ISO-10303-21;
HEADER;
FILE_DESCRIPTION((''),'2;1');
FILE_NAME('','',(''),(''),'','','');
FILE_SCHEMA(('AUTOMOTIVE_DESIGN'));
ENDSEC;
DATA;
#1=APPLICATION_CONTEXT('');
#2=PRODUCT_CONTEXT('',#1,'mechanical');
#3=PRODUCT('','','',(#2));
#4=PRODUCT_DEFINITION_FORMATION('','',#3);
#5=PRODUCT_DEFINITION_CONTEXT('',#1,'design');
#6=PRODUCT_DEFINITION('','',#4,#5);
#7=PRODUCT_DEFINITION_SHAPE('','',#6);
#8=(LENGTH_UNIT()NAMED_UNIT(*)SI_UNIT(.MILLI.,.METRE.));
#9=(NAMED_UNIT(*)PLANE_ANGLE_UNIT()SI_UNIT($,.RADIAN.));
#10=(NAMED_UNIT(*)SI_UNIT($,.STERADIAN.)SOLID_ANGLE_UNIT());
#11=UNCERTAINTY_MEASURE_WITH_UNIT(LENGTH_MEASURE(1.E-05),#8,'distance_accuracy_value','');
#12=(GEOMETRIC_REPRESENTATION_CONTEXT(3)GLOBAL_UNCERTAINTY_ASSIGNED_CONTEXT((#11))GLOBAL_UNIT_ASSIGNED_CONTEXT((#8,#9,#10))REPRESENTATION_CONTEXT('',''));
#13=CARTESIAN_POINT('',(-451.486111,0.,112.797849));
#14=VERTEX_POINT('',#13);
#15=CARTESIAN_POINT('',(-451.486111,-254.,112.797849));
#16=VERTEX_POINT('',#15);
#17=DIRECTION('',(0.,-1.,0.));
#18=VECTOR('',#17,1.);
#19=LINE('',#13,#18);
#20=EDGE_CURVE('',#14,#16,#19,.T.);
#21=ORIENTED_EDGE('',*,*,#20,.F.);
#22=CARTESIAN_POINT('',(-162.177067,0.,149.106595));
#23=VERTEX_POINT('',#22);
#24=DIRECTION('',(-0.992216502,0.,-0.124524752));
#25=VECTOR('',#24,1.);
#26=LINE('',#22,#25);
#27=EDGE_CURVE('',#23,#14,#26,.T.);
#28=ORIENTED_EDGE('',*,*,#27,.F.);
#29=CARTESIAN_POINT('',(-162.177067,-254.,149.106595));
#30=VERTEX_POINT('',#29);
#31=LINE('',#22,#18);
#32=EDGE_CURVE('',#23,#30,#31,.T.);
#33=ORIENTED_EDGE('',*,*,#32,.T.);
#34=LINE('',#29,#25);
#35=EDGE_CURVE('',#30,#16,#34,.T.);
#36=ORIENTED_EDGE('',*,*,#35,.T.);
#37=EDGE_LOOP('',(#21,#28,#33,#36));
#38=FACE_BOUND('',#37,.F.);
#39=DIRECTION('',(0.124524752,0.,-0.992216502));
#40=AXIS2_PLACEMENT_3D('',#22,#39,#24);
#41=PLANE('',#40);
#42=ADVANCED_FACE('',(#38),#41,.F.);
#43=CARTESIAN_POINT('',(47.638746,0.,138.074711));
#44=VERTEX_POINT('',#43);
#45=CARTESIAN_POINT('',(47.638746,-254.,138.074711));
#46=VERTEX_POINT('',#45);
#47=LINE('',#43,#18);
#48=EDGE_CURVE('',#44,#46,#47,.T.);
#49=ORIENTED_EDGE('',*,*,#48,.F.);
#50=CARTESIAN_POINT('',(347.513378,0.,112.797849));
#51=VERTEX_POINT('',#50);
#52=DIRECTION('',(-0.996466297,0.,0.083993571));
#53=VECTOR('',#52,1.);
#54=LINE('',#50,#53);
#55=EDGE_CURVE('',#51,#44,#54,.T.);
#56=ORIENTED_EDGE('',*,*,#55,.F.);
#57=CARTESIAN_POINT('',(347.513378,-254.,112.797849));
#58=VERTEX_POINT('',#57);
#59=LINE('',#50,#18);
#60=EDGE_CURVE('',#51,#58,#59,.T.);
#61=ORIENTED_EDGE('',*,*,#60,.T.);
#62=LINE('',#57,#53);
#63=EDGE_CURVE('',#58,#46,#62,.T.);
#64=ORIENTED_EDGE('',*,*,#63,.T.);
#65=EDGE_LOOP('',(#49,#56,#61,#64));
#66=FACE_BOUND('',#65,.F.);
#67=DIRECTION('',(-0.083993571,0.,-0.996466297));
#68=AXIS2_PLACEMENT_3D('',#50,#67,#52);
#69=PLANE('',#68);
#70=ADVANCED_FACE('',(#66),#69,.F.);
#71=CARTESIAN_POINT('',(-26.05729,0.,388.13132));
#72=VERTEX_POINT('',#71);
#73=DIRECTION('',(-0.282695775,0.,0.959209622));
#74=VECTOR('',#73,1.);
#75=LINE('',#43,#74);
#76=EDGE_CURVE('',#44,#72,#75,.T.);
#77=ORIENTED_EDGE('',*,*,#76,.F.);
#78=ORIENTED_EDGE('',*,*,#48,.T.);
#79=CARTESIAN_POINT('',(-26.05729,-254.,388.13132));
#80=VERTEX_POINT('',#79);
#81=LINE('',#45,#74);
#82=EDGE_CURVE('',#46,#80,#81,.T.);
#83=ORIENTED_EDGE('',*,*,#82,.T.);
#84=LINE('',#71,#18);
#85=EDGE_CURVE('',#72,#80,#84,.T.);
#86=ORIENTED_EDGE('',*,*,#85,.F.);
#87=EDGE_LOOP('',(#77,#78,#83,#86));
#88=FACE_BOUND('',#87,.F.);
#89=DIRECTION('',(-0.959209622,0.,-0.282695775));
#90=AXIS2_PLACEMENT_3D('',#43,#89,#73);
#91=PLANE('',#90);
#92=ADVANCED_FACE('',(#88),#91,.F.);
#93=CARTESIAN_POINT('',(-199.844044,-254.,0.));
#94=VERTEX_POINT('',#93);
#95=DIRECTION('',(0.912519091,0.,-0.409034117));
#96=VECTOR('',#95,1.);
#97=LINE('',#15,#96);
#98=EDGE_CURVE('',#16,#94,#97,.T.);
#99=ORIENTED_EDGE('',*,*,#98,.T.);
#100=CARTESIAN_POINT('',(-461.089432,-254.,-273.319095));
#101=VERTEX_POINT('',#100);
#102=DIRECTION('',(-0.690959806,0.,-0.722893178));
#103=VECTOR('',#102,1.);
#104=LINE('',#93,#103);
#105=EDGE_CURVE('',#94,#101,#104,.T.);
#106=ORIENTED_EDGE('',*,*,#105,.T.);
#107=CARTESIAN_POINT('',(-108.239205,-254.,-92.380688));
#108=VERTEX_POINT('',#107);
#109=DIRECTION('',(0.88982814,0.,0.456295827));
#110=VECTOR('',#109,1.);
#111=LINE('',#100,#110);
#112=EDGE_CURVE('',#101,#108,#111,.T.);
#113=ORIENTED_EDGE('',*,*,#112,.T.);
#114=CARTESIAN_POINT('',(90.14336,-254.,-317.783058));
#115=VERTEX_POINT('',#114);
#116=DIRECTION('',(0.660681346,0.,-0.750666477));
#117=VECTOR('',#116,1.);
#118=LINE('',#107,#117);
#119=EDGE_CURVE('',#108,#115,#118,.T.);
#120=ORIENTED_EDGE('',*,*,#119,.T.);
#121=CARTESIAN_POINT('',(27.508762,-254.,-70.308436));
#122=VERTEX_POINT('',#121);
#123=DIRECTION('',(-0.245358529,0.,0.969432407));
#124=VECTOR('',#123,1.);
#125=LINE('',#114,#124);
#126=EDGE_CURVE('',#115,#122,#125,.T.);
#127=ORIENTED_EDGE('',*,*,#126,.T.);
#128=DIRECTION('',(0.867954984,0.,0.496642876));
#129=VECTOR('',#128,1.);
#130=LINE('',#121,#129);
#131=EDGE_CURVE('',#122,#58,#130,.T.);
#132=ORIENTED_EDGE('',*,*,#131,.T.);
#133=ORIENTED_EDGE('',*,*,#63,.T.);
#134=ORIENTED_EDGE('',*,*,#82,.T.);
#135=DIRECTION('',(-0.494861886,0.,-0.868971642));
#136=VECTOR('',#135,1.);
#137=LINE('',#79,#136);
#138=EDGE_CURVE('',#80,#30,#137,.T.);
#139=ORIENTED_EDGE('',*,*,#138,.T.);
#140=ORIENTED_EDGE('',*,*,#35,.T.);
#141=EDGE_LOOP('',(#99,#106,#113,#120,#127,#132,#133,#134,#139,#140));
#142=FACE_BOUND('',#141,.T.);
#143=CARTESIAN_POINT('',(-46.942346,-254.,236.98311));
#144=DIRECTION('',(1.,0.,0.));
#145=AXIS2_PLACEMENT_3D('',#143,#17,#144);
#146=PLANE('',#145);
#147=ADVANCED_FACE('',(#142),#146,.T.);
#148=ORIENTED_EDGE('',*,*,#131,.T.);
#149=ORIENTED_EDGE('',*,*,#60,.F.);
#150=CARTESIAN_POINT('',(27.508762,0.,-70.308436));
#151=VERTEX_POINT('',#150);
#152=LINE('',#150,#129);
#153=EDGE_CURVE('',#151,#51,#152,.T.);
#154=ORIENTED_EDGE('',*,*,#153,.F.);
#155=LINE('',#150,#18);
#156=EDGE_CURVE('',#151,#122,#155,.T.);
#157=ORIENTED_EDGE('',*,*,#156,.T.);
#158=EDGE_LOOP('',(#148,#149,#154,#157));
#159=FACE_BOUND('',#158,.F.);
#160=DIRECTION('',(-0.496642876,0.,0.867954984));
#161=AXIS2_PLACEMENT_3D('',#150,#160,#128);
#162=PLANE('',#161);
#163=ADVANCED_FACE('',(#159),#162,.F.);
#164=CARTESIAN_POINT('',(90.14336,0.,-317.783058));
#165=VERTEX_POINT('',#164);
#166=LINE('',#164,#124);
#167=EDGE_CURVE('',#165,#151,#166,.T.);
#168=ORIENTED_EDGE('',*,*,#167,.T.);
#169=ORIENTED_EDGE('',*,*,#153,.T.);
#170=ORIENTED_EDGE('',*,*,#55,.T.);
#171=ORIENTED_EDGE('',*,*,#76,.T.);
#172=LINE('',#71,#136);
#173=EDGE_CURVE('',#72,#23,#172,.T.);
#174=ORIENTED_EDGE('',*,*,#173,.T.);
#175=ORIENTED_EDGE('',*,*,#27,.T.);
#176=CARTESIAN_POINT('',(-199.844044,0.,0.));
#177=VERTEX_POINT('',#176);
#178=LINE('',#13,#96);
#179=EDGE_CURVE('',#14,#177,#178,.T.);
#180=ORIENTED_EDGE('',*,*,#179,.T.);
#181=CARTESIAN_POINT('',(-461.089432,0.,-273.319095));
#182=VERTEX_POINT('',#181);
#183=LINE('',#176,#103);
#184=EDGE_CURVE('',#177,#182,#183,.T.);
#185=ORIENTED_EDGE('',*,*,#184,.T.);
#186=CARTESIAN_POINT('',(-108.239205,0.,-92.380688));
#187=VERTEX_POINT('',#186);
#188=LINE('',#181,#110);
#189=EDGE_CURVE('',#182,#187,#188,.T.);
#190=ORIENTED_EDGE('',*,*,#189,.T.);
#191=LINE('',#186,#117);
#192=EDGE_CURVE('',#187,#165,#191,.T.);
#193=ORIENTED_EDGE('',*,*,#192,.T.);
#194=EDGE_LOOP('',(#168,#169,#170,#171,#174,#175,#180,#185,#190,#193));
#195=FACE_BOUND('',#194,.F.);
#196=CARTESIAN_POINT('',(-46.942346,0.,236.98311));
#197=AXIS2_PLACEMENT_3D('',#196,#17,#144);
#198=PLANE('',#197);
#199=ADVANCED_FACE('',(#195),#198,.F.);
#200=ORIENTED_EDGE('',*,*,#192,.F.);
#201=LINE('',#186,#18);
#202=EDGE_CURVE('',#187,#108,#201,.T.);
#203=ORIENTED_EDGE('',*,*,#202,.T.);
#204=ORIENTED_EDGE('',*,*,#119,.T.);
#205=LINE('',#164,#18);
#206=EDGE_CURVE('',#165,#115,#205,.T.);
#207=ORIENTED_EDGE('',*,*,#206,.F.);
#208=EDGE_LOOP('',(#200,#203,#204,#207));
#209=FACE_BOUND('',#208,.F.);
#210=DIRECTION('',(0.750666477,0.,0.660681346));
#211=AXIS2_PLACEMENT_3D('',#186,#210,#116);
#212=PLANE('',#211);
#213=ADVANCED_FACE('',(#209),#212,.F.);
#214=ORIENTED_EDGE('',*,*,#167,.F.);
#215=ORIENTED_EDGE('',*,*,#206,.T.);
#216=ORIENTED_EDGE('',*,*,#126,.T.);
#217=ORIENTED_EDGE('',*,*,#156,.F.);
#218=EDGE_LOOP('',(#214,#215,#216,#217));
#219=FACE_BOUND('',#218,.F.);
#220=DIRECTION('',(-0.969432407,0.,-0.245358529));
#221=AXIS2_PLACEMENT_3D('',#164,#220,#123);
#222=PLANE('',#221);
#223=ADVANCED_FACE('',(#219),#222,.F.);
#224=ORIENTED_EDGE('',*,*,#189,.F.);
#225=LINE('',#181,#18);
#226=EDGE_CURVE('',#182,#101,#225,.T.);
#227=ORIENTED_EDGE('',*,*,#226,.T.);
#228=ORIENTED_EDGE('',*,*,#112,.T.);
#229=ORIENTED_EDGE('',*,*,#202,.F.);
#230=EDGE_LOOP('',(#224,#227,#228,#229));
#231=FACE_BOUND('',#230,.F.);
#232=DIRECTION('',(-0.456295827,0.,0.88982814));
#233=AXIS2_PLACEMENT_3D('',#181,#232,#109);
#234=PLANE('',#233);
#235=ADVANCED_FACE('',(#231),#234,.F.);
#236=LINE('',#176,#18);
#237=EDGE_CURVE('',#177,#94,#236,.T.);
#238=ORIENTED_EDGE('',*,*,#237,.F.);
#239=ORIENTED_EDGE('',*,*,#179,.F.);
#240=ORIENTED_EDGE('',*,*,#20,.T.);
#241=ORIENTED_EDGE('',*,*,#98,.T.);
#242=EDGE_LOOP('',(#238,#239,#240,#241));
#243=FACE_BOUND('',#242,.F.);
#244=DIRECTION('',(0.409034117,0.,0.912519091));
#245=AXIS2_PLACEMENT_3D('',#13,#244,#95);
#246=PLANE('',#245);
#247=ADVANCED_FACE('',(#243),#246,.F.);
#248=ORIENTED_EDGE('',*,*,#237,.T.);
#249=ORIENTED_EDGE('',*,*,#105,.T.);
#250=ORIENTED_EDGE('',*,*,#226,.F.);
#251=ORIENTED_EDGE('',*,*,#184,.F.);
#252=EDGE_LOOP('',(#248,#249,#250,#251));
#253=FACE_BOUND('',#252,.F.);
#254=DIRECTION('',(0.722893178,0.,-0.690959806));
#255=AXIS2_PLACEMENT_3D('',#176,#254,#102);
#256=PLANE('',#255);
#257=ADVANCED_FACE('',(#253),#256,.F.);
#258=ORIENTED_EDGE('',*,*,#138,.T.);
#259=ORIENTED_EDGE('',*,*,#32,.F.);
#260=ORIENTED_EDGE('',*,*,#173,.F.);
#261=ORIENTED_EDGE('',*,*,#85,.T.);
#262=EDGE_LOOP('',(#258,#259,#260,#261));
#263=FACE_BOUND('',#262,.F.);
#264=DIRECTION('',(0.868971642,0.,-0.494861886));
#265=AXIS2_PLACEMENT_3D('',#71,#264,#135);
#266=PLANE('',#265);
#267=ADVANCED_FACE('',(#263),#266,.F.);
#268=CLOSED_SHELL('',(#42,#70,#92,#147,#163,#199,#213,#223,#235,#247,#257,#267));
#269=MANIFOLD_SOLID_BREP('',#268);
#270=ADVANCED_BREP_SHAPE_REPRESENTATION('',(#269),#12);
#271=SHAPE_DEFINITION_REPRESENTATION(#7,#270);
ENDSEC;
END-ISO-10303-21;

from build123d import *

# Parameters (mm, degrees)
F1_DEPTH = 254


with BuildPart() as f1:
    # F0 (on Front) → F1 (new body)
    with BuildSketch(Plane.XZ):
        with BuildLine():
            ThreePointArc((-162.177067, 149.106595), (-54.889921, 188.841494), (47.638746, 138.074711))
            Line((47.638746, 138.074711), (-26.05729, 388.13132))
            Line((-26.05729, 388.13132), (-162.177067, 149.106595))
        make_face()
        with BuildLine():
            Line((-461.089432, -273.319095), (-108.239205, -92.380688))
            ThreePointArc((-108.239205, -92.380688), (-165.032116, -57.088534), (-199.844044, 0))
            Line((-199.844044, 0), (-461.089432, -273.319095))
        make_face()
        with BuildLine():
            ThreePointArc((47.638746, 138.074711), (73.107329, 94.392598), (81.95847, 44.608735))
            ThreePointArc((81.95847, 44.608735), (21.937886, -72.589023), (-108.239205, -92.380688))
            Line((-108.239205, -92.380688), (90.14336, -317.783058))
            Line((90.14336, -317.783058), (27.508762, -70.308436))
            Line((27.508762, -70.308436), (347.513378, 112.797849))
            Line((347.513378, 112.797849), (47.638746, 138.074711))
        make_face()
        with BuildLine():
            ThreePointArc((-108.239205, -92.380688), (21.937886, -72.589023), (81.95847, 44.608735))
            ThreePointArc((81.95847, 44.608735), (73.107329, 94.392598), (47.638746, 138.074711))
            ThreePointArc((47.638746, 138.074711), (-54.889921, 188.841494), (-162.177067, 149.106595))
            ThreePointArc((-162.177067, 149.106595), (-202.506455, 79.983544), (-199.844044, 0))
            ThreePointArc((-199.844044, 0), (-165.032116, -57.088534), (-108.239205, -92.380688))
        make_face()
        with BuildLine():
            ThreePointArc((-199.844044, 0), (-202.506455, 79.983544), (-162.177067, 149.106595))
            Line((-162.177067, 149.106595), (-451.486111, 112.797849))
            Line((-451.486111, 112.797849), (-199.844044, 0))
        make_face()
    extrude(amount=F1_DEPTH)


solid = f1.part
